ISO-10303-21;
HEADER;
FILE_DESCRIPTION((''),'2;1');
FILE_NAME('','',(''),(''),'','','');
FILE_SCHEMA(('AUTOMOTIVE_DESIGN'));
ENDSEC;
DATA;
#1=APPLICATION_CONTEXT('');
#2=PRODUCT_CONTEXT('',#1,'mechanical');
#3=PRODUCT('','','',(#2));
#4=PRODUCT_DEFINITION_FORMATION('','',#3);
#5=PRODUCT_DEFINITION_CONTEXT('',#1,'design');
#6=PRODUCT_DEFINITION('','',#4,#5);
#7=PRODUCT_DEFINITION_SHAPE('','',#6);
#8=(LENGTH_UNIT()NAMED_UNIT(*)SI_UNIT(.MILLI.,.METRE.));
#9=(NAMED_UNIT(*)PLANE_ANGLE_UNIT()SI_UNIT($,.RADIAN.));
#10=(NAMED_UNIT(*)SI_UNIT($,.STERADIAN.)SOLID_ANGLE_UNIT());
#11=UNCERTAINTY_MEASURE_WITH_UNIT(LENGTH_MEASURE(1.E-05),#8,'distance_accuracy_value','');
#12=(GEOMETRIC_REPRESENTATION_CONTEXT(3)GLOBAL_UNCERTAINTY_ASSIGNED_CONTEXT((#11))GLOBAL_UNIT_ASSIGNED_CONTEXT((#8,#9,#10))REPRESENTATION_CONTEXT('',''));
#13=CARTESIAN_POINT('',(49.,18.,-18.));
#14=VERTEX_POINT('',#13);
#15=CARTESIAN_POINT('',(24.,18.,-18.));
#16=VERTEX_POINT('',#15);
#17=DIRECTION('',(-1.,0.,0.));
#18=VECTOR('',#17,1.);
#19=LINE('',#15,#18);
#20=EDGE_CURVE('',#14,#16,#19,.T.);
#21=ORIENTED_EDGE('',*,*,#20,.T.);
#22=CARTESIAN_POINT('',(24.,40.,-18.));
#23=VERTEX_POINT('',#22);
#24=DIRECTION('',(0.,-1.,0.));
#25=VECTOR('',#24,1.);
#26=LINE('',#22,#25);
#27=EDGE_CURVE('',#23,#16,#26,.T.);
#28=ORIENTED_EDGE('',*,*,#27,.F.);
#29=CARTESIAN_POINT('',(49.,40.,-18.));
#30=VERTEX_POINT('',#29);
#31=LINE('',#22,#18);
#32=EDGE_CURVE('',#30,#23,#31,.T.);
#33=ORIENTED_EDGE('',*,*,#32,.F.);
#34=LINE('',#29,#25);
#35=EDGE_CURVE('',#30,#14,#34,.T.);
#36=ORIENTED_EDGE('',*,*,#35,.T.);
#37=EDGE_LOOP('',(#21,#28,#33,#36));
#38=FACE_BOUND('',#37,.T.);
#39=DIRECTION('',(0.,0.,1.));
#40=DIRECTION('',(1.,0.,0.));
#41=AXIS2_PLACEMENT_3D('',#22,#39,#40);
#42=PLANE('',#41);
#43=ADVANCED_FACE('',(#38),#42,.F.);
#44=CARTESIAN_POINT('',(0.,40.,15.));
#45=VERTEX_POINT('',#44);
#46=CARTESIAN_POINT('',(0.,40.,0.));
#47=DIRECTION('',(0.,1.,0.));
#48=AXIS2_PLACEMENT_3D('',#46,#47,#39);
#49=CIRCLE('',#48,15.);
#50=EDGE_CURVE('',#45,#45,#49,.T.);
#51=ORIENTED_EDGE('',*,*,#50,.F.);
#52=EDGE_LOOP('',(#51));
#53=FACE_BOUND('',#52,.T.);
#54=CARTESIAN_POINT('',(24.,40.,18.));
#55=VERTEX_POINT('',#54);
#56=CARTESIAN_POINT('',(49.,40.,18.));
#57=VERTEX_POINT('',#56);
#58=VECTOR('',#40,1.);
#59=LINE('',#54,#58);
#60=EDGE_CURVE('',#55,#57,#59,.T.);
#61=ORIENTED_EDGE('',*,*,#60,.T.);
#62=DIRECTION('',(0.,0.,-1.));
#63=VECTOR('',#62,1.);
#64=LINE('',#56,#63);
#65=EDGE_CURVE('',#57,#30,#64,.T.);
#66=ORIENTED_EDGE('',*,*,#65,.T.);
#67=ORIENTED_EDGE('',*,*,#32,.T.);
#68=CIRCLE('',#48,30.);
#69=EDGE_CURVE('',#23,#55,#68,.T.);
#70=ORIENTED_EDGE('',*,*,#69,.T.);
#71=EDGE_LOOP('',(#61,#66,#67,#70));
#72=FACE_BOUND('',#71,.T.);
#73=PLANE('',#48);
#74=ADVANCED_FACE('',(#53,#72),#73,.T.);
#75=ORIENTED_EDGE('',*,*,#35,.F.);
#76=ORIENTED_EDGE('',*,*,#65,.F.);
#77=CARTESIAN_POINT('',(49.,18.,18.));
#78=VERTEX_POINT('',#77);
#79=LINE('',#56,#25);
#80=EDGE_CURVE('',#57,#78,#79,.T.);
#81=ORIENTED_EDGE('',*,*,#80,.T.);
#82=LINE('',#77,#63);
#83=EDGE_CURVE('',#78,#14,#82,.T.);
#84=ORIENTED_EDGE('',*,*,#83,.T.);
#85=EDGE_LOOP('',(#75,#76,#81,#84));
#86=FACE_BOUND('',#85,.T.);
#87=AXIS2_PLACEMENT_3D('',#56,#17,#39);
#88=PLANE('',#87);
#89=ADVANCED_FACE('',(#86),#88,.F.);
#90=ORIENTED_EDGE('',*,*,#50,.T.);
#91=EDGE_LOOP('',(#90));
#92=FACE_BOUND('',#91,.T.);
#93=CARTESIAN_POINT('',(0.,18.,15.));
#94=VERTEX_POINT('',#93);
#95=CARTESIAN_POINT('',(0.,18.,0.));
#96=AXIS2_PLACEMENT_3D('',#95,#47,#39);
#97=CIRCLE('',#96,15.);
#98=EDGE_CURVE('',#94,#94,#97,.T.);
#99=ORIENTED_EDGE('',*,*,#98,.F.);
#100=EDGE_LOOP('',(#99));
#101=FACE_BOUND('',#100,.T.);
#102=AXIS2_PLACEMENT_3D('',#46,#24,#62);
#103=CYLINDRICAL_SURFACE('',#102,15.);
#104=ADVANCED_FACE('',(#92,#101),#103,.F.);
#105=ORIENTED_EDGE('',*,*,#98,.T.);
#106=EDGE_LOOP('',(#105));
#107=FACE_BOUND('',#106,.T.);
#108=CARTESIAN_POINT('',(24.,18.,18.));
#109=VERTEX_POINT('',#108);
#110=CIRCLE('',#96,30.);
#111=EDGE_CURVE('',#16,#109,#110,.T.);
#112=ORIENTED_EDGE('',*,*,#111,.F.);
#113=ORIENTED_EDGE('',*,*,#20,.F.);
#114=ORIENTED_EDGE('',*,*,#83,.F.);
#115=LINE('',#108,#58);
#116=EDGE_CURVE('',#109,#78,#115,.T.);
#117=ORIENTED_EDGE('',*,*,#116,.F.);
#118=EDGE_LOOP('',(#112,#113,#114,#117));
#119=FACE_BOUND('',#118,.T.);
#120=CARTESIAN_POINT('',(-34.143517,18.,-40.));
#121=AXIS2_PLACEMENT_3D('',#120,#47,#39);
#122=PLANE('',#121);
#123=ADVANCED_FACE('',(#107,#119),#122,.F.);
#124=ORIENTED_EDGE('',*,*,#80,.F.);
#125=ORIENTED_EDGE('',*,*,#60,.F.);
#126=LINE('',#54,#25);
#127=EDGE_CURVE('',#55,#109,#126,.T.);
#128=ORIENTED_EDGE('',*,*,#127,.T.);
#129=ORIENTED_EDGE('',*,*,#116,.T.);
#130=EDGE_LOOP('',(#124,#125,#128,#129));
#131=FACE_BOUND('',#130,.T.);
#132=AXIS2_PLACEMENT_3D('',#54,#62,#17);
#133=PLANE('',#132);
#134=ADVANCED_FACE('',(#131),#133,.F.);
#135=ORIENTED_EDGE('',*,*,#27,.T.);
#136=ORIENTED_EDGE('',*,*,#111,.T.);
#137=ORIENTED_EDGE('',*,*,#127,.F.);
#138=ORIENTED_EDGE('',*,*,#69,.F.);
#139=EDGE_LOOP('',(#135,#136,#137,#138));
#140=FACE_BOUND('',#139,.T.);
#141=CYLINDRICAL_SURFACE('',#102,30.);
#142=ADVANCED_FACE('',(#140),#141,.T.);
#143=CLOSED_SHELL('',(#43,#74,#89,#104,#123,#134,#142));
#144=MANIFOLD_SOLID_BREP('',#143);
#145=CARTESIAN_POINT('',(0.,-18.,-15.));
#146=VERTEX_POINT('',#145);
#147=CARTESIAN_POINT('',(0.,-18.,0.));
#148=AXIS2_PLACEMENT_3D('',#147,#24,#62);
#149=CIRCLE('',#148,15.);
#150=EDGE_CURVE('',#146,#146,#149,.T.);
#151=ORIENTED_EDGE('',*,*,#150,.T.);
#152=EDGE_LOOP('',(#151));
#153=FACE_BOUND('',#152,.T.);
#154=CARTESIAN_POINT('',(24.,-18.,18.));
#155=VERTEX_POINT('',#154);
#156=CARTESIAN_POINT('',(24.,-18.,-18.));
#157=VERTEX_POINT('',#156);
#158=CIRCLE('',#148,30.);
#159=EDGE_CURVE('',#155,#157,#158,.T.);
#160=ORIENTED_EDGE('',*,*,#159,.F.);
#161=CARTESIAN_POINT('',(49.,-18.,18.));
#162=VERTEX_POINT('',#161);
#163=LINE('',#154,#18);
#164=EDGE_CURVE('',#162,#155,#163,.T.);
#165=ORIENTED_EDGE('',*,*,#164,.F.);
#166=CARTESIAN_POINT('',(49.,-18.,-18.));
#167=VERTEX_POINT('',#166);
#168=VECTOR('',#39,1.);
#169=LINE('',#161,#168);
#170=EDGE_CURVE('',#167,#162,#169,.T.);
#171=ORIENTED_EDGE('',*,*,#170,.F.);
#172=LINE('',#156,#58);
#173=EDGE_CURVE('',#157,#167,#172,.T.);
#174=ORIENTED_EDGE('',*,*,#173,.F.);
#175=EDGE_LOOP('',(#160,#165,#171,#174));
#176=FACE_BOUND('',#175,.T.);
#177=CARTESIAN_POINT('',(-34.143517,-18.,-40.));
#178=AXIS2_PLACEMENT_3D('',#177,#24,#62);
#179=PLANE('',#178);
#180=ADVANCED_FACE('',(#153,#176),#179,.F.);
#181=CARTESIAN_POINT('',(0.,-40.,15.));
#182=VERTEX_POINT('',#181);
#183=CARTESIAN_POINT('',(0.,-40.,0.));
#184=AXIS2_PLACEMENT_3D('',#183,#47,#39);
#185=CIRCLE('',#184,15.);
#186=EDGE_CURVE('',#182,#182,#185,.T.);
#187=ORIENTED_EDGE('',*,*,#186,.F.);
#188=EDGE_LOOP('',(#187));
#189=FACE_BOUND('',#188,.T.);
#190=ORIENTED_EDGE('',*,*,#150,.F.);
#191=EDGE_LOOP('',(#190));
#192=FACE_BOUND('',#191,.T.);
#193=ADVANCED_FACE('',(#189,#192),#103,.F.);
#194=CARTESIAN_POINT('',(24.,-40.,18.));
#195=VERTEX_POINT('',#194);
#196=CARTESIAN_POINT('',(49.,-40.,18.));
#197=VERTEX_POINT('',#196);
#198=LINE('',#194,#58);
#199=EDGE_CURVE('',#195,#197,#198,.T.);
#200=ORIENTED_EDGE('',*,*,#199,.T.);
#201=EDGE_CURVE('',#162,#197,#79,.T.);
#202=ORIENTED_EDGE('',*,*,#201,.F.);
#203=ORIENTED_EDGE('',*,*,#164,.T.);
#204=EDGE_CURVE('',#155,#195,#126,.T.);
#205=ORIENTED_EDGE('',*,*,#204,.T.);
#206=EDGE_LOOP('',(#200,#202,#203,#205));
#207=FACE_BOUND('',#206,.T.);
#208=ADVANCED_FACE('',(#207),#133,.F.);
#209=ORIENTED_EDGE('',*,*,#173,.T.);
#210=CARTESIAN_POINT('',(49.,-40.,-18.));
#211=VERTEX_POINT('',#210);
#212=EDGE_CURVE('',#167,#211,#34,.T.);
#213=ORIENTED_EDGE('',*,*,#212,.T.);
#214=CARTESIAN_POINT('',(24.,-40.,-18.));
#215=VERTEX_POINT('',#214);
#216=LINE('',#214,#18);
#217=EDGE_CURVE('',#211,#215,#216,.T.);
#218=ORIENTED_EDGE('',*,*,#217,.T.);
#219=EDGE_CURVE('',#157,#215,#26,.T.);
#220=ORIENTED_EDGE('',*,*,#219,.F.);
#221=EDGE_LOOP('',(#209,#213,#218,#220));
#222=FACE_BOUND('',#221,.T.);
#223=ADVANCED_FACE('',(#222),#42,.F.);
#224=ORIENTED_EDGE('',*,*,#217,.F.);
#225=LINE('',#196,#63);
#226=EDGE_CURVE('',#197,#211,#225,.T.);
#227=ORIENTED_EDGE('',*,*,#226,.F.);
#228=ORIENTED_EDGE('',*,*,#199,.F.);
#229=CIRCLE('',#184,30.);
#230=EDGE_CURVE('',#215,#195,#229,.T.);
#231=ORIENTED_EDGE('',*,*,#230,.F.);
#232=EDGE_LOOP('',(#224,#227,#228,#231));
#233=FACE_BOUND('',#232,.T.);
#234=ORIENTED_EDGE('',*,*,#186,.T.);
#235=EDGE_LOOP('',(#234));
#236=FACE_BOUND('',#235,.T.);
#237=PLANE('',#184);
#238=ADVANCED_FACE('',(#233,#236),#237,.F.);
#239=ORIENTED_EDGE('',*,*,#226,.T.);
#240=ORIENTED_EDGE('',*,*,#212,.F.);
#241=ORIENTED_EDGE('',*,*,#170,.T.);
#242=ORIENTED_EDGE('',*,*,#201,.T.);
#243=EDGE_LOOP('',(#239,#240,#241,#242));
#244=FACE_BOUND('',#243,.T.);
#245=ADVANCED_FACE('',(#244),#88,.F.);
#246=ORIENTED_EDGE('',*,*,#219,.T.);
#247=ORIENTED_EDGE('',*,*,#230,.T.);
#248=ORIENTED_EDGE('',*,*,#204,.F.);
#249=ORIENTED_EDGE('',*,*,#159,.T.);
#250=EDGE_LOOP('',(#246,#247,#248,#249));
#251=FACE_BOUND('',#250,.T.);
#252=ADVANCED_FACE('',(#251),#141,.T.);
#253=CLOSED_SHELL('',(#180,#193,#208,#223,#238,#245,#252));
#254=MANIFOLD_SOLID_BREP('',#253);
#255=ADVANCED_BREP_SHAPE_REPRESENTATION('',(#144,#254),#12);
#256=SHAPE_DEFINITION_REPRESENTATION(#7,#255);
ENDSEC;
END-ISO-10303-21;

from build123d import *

# Parameters (mm, degrees)
CROQUIS3_R              = 15
SALIENTE_EXTRUIR3_DEPTH = 40
CROQUIS6_W              = 91.129860116
CROQUIS6_H              = 36
CORTAR_EXTRUIR2_DEPTH   = 40


with BuildPart() as part:
    # Croquis3 → Saliente-Extruir3 (new, symmetric)
    with BuildSketch(Plane(origin=(0, 0, 0), x_dir=(1, 0, 0), z_dir=(0, 1, 0))):
        with BuildLine():
            Line((24, -18), (49, -18))
            Line((49, -18), (49, 18))
            Line((49, 18), (24, 18))
            ThreePointArc((24, 18), (-30, 0), (24, -18))
        make_face()
        with Locations(Location((0, 0, 0), (0, 0, 270))):
            Circle(CROQUIS3_R, mode=Mode.SUBTRACT)
    extrude(amount=SALIENTE_EXTRUIR3_DEPTH, both=True)

    # Croquis6 → Cortar-Extruir2 (cut, symmetric)
    with BuildSketch(Plane.XY):
        with Locations((11.421412713, 0)):
            Rectangle(CROQUIS6_W, CROQUIS6_H)
    extrude(amount=CORTAR_EXTRUIR2_DEPTH, both=True, mode=Mode.SUBTRACT)


with BuildPart() as cortar_extruir2_piece_1:
    # of the separate pieces the step leaves, piece 1, a body of its own (cortar_extruir2_pieces)
    add(part.part.solids().sort_by_distance((24, -18, 18))[0])


with BuildPart() as cortar_extruir2_piece_2:
    # of the separate pieces the step leaves, piece 2, a body of its own (cortar_extruir2_pieces)
    add(part.part.solids().sort_by_distance((24, 40, 18))[0])


solid = Compound([cortar_extruir2_piece_1.part, cortar_extruir2_piece_2.part])
